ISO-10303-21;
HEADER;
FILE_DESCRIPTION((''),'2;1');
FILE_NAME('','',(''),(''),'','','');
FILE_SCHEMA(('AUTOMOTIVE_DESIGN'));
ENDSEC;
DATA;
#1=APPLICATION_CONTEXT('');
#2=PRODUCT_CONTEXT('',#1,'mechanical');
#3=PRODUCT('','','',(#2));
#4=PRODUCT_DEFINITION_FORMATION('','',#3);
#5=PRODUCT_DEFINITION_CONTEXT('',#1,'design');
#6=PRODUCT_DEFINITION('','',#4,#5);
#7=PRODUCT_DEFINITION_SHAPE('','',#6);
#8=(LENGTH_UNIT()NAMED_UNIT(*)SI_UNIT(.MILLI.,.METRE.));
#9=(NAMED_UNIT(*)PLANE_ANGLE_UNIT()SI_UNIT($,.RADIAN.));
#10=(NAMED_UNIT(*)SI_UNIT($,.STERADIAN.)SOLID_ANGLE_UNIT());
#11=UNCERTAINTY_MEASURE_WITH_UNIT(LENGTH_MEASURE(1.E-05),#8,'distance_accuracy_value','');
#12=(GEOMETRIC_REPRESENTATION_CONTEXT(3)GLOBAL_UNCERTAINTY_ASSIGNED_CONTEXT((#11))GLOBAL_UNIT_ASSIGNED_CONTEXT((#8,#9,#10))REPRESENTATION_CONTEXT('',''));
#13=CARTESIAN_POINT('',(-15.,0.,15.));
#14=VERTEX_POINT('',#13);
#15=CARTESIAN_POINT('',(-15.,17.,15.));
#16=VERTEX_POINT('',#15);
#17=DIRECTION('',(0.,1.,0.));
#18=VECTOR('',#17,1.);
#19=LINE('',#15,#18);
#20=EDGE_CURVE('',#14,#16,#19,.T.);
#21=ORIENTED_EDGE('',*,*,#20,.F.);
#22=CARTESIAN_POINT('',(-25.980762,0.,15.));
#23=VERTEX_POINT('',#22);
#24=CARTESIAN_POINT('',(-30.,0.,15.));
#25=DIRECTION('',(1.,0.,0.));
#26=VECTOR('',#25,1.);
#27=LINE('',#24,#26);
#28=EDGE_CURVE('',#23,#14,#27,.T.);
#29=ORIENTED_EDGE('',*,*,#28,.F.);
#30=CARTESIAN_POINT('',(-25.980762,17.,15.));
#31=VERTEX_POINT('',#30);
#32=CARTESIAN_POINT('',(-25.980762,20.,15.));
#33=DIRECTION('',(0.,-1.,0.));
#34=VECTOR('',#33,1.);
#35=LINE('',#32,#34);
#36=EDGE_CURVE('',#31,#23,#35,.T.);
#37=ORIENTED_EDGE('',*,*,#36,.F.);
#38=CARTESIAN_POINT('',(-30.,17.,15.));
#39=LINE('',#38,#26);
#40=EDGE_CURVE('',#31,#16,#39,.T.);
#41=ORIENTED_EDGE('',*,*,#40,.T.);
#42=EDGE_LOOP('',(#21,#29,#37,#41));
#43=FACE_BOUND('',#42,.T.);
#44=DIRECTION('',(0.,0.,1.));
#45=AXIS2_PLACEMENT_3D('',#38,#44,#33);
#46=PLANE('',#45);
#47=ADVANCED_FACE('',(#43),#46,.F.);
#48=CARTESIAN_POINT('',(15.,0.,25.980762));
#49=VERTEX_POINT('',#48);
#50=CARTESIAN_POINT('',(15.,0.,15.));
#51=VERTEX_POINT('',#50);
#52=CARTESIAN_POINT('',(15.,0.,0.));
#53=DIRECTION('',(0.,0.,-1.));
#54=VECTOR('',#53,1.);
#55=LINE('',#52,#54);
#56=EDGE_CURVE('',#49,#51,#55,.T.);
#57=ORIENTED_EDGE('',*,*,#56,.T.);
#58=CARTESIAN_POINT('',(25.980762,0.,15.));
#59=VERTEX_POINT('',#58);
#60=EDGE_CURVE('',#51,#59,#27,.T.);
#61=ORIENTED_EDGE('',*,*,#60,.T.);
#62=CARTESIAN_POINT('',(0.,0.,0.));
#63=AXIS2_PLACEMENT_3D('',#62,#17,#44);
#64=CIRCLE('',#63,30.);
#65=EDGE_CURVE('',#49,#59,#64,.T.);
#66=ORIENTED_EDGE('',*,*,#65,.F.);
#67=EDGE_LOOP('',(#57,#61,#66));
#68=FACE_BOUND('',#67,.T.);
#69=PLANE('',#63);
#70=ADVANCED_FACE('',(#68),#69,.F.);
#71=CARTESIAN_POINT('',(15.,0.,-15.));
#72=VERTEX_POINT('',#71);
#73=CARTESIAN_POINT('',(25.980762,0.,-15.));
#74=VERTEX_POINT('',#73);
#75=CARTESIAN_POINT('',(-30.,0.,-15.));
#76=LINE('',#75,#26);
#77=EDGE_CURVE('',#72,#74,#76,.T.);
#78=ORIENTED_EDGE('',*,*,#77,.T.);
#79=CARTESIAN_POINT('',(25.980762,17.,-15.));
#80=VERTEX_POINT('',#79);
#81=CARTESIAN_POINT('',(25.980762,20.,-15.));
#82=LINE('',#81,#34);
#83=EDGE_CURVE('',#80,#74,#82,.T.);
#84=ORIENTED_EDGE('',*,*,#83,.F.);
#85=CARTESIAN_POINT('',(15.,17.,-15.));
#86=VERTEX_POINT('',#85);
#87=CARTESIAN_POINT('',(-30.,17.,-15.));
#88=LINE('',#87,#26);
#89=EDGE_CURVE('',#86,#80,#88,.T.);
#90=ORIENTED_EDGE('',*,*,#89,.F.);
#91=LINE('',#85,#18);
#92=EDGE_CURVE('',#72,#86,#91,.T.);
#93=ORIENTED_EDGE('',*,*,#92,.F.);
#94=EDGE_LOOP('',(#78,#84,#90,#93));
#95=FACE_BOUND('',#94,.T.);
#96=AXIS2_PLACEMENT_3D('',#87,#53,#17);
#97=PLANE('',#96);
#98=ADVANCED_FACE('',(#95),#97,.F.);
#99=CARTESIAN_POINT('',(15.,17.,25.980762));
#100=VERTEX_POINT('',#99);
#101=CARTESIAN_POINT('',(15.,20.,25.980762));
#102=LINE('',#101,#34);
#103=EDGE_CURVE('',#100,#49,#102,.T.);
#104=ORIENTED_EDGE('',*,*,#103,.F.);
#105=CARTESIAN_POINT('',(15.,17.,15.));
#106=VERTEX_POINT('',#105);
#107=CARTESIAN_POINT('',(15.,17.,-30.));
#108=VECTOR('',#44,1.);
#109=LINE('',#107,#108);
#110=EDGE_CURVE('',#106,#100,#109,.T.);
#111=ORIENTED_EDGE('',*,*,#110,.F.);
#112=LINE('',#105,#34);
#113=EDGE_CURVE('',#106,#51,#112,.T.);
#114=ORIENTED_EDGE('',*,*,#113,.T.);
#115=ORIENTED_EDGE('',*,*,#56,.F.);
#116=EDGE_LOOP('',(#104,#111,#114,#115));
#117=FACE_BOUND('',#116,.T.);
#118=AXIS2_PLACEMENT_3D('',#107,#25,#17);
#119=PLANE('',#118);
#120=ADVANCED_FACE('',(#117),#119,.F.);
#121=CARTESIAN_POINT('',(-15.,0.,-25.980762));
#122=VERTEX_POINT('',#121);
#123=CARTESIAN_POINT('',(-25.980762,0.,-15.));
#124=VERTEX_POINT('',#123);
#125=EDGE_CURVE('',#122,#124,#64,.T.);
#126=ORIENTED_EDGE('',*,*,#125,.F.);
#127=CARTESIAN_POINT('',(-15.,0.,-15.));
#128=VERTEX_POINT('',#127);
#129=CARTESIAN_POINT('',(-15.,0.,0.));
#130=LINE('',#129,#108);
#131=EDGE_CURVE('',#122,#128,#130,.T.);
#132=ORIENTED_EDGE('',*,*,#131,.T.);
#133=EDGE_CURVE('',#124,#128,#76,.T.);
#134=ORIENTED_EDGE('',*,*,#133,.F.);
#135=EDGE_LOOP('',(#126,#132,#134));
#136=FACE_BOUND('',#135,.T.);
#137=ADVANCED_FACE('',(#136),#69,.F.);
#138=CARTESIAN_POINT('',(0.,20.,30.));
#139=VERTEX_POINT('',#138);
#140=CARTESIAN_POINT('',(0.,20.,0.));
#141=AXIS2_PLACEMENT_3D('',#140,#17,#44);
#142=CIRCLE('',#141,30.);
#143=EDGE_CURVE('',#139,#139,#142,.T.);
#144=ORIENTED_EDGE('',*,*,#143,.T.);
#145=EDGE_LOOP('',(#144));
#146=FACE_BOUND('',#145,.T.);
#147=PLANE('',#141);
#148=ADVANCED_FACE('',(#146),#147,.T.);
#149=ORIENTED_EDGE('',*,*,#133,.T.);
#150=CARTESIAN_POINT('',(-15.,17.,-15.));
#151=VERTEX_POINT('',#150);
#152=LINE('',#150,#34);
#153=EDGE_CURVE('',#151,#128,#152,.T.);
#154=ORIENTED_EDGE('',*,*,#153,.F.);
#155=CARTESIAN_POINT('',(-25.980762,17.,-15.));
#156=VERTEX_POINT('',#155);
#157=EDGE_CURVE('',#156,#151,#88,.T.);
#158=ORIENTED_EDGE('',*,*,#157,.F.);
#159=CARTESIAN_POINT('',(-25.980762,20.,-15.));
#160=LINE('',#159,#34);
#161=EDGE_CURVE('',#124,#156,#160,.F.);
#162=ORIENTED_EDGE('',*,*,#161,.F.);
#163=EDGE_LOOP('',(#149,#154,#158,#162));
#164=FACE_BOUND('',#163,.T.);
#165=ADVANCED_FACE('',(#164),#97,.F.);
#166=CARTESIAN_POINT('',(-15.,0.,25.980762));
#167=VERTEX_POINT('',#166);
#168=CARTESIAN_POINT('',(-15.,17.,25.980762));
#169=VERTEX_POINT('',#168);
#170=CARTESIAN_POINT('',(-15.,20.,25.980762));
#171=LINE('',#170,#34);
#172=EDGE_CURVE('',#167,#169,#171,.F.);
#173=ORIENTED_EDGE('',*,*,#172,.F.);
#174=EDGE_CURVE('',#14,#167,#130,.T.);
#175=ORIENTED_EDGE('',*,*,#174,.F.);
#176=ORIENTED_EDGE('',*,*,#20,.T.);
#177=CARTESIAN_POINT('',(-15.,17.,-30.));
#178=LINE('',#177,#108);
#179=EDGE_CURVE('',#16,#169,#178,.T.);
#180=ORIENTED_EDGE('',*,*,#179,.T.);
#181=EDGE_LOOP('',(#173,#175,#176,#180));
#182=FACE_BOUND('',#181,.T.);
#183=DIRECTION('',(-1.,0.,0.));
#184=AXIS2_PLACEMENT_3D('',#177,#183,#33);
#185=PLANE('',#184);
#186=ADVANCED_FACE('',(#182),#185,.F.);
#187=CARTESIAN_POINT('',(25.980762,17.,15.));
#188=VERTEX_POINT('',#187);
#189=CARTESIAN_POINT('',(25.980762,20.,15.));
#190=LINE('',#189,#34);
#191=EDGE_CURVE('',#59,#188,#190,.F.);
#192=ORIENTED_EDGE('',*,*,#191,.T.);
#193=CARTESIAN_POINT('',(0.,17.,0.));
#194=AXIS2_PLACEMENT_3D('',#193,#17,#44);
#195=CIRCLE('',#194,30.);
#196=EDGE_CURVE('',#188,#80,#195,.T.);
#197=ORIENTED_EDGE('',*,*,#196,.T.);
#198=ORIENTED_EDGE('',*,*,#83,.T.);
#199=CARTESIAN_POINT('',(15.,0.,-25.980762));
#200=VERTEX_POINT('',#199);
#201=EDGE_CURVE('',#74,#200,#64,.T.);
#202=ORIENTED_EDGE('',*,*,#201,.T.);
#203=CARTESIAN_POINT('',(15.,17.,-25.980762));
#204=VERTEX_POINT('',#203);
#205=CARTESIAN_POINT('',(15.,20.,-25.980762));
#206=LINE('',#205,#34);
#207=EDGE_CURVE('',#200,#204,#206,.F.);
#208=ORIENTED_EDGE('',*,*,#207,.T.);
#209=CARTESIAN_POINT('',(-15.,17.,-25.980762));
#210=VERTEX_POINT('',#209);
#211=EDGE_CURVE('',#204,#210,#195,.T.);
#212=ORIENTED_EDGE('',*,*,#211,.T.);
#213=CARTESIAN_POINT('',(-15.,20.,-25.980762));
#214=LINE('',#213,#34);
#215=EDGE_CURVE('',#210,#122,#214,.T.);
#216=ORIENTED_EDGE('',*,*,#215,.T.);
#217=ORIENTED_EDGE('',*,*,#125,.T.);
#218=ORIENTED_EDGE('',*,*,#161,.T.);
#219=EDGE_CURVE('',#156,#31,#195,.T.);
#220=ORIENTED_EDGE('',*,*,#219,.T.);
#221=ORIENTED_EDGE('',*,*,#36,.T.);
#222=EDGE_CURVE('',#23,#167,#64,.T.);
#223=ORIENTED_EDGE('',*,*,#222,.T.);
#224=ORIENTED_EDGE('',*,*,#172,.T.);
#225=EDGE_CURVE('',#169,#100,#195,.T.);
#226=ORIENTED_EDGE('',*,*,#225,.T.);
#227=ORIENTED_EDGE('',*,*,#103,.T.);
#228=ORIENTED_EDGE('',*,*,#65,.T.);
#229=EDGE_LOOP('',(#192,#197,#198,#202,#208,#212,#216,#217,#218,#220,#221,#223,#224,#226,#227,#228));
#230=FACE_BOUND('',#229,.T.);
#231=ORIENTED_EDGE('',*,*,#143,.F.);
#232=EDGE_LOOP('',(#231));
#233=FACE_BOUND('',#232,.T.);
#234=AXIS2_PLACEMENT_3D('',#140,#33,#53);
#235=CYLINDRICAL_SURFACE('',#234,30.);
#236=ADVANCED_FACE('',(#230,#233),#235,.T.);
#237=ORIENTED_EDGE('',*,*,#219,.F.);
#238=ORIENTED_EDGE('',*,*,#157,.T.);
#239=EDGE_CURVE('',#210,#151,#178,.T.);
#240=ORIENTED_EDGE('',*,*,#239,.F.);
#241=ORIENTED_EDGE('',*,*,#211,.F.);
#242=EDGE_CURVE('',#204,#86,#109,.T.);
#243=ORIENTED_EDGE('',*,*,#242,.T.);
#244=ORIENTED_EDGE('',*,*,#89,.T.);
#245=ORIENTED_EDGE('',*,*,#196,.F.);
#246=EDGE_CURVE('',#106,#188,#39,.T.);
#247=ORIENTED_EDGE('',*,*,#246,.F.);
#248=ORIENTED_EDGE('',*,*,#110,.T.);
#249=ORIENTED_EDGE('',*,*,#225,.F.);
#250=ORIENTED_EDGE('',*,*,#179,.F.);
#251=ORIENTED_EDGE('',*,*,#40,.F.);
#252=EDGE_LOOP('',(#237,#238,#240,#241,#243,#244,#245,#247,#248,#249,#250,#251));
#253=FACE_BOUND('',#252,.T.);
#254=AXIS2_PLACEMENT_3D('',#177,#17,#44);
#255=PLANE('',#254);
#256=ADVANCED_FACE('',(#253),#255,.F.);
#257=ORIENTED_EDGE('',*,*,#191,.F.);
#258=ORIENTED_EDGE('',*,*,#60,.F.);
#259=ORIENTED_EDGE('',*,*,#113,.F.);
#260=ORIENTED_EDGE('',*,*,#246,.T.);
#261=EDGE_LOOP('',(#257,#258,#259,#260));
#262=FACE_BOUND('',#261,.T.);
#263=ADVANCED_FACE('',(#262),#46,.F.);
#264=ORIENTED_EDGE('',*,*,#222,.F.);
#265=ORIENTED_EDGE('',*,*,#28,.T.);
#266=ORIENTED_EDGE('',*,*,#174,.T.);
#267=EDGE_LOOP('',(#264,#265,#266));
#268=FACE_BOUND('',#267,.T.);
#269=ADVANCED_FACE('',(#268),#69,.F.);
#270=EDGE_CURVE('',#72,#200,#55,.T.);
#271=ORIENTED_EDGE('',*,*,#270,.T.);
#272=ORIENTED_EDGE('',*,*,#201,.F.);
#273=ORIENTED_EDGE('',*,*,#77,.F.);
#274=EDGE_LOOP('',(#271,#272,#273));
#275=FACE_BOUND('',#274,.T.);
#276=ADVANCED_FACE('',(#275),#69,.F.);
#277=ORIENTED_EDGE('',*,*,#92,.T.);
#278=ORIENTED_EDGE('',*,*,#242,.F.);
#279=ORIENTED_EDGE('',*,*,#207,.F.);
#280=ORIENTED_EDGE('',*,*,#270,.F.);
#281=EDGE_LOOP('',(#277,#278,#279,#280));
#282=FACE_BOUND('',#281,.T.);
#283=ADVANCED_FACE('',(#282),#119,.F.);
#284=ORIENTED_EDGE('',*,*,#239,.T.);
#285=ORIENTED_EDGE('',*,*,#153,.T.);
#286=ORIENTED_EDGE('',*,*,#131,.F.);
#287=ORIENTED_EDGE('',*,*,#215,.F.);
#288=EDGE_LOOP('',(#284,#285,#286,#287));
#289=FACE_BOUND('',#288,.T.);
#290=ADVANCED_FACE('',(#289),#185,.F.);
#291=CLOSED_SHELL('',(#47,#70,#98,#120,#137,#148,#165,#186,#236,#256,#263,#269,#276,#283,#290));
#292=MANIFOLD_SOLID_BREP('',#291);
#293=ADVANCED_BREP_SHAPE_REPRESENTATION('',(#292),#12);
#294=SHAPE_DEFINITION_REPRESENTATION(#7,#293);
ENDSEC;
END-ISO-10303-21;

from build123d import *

# Parameters (mm, degrees)
CROQUIS1_R                 = 30
SALIENTE_EXTRUIR1_DEPTH    = 20
CORTAR_EXTRUIR1_DEPTH      = 47.904157598
CORTAR_EXTRUIR1_DEPTH_BACK = 47.904157598
CROQUIS2_W                 = 30
CROQUIS2_H                 = 17
CORTAR_EXTRUIR2_DEPTH      = 47.904157598
CORTAR_EXTRUIR2_DEPTH_BACK = 47.904157598
CROQUIS3_W                 = 30
CROQUIS3_H                 = 17


with BuildPart() as part:
    # Croquis1 → Saliente-Extruir1 (new body)
    with BuildSketch(Plane(origin=(0, 0, 0), x_dir=(1, 0, 0), z_dir=(0, 1, 0))):
        with Locations(Location((0, 0, 0), (0, 0, 270))):
            Circle(CROQUIS1_R)
    extrude(amount=SALIENTE_EXTRUIR1_DEPTH)

    # Croquis2 → Cortar-Extruir1 (cut, two sides: drawn at the far end of the back side and taken through both)
    with BuildSketch(Plane.XY.offset(-CORTAR_EXTRUIR1_DEPTH_BACK)):
        with Locations((0, 8.5)):
            Rectangle(CROQUIS2_W, CROQUIS2_H)
    extrude(amount=CORTAR_EXTRUIR1_DEPTH + CORTAR_EXTRUIR1_DEPTH_BACK, mode=Mode.SUBTRACT)

    # Croquis3 → Cortar-Extruir2 (cut, two sides: drawn at the far end of the back side and taken through both)
    with BuildSketch(Plane(origin=(0, 0, 0), x_dir=(0, 0, -1), z_dir=(1, 0, 0)).offset(-CORTAR_EXTRUIR2_DEPTH_BACK)):
        with Locations((0, 8.5)):
            Rectangle(CROQUIS3_W, CROQUIS3_H)
    extrude(amount=CORTAR_EXTRUIR2_DEPTH + CORTAR_EXTRUIR2_DEPTH_BACK, mode=Mode.SUBTRACT)


solid = part.part
